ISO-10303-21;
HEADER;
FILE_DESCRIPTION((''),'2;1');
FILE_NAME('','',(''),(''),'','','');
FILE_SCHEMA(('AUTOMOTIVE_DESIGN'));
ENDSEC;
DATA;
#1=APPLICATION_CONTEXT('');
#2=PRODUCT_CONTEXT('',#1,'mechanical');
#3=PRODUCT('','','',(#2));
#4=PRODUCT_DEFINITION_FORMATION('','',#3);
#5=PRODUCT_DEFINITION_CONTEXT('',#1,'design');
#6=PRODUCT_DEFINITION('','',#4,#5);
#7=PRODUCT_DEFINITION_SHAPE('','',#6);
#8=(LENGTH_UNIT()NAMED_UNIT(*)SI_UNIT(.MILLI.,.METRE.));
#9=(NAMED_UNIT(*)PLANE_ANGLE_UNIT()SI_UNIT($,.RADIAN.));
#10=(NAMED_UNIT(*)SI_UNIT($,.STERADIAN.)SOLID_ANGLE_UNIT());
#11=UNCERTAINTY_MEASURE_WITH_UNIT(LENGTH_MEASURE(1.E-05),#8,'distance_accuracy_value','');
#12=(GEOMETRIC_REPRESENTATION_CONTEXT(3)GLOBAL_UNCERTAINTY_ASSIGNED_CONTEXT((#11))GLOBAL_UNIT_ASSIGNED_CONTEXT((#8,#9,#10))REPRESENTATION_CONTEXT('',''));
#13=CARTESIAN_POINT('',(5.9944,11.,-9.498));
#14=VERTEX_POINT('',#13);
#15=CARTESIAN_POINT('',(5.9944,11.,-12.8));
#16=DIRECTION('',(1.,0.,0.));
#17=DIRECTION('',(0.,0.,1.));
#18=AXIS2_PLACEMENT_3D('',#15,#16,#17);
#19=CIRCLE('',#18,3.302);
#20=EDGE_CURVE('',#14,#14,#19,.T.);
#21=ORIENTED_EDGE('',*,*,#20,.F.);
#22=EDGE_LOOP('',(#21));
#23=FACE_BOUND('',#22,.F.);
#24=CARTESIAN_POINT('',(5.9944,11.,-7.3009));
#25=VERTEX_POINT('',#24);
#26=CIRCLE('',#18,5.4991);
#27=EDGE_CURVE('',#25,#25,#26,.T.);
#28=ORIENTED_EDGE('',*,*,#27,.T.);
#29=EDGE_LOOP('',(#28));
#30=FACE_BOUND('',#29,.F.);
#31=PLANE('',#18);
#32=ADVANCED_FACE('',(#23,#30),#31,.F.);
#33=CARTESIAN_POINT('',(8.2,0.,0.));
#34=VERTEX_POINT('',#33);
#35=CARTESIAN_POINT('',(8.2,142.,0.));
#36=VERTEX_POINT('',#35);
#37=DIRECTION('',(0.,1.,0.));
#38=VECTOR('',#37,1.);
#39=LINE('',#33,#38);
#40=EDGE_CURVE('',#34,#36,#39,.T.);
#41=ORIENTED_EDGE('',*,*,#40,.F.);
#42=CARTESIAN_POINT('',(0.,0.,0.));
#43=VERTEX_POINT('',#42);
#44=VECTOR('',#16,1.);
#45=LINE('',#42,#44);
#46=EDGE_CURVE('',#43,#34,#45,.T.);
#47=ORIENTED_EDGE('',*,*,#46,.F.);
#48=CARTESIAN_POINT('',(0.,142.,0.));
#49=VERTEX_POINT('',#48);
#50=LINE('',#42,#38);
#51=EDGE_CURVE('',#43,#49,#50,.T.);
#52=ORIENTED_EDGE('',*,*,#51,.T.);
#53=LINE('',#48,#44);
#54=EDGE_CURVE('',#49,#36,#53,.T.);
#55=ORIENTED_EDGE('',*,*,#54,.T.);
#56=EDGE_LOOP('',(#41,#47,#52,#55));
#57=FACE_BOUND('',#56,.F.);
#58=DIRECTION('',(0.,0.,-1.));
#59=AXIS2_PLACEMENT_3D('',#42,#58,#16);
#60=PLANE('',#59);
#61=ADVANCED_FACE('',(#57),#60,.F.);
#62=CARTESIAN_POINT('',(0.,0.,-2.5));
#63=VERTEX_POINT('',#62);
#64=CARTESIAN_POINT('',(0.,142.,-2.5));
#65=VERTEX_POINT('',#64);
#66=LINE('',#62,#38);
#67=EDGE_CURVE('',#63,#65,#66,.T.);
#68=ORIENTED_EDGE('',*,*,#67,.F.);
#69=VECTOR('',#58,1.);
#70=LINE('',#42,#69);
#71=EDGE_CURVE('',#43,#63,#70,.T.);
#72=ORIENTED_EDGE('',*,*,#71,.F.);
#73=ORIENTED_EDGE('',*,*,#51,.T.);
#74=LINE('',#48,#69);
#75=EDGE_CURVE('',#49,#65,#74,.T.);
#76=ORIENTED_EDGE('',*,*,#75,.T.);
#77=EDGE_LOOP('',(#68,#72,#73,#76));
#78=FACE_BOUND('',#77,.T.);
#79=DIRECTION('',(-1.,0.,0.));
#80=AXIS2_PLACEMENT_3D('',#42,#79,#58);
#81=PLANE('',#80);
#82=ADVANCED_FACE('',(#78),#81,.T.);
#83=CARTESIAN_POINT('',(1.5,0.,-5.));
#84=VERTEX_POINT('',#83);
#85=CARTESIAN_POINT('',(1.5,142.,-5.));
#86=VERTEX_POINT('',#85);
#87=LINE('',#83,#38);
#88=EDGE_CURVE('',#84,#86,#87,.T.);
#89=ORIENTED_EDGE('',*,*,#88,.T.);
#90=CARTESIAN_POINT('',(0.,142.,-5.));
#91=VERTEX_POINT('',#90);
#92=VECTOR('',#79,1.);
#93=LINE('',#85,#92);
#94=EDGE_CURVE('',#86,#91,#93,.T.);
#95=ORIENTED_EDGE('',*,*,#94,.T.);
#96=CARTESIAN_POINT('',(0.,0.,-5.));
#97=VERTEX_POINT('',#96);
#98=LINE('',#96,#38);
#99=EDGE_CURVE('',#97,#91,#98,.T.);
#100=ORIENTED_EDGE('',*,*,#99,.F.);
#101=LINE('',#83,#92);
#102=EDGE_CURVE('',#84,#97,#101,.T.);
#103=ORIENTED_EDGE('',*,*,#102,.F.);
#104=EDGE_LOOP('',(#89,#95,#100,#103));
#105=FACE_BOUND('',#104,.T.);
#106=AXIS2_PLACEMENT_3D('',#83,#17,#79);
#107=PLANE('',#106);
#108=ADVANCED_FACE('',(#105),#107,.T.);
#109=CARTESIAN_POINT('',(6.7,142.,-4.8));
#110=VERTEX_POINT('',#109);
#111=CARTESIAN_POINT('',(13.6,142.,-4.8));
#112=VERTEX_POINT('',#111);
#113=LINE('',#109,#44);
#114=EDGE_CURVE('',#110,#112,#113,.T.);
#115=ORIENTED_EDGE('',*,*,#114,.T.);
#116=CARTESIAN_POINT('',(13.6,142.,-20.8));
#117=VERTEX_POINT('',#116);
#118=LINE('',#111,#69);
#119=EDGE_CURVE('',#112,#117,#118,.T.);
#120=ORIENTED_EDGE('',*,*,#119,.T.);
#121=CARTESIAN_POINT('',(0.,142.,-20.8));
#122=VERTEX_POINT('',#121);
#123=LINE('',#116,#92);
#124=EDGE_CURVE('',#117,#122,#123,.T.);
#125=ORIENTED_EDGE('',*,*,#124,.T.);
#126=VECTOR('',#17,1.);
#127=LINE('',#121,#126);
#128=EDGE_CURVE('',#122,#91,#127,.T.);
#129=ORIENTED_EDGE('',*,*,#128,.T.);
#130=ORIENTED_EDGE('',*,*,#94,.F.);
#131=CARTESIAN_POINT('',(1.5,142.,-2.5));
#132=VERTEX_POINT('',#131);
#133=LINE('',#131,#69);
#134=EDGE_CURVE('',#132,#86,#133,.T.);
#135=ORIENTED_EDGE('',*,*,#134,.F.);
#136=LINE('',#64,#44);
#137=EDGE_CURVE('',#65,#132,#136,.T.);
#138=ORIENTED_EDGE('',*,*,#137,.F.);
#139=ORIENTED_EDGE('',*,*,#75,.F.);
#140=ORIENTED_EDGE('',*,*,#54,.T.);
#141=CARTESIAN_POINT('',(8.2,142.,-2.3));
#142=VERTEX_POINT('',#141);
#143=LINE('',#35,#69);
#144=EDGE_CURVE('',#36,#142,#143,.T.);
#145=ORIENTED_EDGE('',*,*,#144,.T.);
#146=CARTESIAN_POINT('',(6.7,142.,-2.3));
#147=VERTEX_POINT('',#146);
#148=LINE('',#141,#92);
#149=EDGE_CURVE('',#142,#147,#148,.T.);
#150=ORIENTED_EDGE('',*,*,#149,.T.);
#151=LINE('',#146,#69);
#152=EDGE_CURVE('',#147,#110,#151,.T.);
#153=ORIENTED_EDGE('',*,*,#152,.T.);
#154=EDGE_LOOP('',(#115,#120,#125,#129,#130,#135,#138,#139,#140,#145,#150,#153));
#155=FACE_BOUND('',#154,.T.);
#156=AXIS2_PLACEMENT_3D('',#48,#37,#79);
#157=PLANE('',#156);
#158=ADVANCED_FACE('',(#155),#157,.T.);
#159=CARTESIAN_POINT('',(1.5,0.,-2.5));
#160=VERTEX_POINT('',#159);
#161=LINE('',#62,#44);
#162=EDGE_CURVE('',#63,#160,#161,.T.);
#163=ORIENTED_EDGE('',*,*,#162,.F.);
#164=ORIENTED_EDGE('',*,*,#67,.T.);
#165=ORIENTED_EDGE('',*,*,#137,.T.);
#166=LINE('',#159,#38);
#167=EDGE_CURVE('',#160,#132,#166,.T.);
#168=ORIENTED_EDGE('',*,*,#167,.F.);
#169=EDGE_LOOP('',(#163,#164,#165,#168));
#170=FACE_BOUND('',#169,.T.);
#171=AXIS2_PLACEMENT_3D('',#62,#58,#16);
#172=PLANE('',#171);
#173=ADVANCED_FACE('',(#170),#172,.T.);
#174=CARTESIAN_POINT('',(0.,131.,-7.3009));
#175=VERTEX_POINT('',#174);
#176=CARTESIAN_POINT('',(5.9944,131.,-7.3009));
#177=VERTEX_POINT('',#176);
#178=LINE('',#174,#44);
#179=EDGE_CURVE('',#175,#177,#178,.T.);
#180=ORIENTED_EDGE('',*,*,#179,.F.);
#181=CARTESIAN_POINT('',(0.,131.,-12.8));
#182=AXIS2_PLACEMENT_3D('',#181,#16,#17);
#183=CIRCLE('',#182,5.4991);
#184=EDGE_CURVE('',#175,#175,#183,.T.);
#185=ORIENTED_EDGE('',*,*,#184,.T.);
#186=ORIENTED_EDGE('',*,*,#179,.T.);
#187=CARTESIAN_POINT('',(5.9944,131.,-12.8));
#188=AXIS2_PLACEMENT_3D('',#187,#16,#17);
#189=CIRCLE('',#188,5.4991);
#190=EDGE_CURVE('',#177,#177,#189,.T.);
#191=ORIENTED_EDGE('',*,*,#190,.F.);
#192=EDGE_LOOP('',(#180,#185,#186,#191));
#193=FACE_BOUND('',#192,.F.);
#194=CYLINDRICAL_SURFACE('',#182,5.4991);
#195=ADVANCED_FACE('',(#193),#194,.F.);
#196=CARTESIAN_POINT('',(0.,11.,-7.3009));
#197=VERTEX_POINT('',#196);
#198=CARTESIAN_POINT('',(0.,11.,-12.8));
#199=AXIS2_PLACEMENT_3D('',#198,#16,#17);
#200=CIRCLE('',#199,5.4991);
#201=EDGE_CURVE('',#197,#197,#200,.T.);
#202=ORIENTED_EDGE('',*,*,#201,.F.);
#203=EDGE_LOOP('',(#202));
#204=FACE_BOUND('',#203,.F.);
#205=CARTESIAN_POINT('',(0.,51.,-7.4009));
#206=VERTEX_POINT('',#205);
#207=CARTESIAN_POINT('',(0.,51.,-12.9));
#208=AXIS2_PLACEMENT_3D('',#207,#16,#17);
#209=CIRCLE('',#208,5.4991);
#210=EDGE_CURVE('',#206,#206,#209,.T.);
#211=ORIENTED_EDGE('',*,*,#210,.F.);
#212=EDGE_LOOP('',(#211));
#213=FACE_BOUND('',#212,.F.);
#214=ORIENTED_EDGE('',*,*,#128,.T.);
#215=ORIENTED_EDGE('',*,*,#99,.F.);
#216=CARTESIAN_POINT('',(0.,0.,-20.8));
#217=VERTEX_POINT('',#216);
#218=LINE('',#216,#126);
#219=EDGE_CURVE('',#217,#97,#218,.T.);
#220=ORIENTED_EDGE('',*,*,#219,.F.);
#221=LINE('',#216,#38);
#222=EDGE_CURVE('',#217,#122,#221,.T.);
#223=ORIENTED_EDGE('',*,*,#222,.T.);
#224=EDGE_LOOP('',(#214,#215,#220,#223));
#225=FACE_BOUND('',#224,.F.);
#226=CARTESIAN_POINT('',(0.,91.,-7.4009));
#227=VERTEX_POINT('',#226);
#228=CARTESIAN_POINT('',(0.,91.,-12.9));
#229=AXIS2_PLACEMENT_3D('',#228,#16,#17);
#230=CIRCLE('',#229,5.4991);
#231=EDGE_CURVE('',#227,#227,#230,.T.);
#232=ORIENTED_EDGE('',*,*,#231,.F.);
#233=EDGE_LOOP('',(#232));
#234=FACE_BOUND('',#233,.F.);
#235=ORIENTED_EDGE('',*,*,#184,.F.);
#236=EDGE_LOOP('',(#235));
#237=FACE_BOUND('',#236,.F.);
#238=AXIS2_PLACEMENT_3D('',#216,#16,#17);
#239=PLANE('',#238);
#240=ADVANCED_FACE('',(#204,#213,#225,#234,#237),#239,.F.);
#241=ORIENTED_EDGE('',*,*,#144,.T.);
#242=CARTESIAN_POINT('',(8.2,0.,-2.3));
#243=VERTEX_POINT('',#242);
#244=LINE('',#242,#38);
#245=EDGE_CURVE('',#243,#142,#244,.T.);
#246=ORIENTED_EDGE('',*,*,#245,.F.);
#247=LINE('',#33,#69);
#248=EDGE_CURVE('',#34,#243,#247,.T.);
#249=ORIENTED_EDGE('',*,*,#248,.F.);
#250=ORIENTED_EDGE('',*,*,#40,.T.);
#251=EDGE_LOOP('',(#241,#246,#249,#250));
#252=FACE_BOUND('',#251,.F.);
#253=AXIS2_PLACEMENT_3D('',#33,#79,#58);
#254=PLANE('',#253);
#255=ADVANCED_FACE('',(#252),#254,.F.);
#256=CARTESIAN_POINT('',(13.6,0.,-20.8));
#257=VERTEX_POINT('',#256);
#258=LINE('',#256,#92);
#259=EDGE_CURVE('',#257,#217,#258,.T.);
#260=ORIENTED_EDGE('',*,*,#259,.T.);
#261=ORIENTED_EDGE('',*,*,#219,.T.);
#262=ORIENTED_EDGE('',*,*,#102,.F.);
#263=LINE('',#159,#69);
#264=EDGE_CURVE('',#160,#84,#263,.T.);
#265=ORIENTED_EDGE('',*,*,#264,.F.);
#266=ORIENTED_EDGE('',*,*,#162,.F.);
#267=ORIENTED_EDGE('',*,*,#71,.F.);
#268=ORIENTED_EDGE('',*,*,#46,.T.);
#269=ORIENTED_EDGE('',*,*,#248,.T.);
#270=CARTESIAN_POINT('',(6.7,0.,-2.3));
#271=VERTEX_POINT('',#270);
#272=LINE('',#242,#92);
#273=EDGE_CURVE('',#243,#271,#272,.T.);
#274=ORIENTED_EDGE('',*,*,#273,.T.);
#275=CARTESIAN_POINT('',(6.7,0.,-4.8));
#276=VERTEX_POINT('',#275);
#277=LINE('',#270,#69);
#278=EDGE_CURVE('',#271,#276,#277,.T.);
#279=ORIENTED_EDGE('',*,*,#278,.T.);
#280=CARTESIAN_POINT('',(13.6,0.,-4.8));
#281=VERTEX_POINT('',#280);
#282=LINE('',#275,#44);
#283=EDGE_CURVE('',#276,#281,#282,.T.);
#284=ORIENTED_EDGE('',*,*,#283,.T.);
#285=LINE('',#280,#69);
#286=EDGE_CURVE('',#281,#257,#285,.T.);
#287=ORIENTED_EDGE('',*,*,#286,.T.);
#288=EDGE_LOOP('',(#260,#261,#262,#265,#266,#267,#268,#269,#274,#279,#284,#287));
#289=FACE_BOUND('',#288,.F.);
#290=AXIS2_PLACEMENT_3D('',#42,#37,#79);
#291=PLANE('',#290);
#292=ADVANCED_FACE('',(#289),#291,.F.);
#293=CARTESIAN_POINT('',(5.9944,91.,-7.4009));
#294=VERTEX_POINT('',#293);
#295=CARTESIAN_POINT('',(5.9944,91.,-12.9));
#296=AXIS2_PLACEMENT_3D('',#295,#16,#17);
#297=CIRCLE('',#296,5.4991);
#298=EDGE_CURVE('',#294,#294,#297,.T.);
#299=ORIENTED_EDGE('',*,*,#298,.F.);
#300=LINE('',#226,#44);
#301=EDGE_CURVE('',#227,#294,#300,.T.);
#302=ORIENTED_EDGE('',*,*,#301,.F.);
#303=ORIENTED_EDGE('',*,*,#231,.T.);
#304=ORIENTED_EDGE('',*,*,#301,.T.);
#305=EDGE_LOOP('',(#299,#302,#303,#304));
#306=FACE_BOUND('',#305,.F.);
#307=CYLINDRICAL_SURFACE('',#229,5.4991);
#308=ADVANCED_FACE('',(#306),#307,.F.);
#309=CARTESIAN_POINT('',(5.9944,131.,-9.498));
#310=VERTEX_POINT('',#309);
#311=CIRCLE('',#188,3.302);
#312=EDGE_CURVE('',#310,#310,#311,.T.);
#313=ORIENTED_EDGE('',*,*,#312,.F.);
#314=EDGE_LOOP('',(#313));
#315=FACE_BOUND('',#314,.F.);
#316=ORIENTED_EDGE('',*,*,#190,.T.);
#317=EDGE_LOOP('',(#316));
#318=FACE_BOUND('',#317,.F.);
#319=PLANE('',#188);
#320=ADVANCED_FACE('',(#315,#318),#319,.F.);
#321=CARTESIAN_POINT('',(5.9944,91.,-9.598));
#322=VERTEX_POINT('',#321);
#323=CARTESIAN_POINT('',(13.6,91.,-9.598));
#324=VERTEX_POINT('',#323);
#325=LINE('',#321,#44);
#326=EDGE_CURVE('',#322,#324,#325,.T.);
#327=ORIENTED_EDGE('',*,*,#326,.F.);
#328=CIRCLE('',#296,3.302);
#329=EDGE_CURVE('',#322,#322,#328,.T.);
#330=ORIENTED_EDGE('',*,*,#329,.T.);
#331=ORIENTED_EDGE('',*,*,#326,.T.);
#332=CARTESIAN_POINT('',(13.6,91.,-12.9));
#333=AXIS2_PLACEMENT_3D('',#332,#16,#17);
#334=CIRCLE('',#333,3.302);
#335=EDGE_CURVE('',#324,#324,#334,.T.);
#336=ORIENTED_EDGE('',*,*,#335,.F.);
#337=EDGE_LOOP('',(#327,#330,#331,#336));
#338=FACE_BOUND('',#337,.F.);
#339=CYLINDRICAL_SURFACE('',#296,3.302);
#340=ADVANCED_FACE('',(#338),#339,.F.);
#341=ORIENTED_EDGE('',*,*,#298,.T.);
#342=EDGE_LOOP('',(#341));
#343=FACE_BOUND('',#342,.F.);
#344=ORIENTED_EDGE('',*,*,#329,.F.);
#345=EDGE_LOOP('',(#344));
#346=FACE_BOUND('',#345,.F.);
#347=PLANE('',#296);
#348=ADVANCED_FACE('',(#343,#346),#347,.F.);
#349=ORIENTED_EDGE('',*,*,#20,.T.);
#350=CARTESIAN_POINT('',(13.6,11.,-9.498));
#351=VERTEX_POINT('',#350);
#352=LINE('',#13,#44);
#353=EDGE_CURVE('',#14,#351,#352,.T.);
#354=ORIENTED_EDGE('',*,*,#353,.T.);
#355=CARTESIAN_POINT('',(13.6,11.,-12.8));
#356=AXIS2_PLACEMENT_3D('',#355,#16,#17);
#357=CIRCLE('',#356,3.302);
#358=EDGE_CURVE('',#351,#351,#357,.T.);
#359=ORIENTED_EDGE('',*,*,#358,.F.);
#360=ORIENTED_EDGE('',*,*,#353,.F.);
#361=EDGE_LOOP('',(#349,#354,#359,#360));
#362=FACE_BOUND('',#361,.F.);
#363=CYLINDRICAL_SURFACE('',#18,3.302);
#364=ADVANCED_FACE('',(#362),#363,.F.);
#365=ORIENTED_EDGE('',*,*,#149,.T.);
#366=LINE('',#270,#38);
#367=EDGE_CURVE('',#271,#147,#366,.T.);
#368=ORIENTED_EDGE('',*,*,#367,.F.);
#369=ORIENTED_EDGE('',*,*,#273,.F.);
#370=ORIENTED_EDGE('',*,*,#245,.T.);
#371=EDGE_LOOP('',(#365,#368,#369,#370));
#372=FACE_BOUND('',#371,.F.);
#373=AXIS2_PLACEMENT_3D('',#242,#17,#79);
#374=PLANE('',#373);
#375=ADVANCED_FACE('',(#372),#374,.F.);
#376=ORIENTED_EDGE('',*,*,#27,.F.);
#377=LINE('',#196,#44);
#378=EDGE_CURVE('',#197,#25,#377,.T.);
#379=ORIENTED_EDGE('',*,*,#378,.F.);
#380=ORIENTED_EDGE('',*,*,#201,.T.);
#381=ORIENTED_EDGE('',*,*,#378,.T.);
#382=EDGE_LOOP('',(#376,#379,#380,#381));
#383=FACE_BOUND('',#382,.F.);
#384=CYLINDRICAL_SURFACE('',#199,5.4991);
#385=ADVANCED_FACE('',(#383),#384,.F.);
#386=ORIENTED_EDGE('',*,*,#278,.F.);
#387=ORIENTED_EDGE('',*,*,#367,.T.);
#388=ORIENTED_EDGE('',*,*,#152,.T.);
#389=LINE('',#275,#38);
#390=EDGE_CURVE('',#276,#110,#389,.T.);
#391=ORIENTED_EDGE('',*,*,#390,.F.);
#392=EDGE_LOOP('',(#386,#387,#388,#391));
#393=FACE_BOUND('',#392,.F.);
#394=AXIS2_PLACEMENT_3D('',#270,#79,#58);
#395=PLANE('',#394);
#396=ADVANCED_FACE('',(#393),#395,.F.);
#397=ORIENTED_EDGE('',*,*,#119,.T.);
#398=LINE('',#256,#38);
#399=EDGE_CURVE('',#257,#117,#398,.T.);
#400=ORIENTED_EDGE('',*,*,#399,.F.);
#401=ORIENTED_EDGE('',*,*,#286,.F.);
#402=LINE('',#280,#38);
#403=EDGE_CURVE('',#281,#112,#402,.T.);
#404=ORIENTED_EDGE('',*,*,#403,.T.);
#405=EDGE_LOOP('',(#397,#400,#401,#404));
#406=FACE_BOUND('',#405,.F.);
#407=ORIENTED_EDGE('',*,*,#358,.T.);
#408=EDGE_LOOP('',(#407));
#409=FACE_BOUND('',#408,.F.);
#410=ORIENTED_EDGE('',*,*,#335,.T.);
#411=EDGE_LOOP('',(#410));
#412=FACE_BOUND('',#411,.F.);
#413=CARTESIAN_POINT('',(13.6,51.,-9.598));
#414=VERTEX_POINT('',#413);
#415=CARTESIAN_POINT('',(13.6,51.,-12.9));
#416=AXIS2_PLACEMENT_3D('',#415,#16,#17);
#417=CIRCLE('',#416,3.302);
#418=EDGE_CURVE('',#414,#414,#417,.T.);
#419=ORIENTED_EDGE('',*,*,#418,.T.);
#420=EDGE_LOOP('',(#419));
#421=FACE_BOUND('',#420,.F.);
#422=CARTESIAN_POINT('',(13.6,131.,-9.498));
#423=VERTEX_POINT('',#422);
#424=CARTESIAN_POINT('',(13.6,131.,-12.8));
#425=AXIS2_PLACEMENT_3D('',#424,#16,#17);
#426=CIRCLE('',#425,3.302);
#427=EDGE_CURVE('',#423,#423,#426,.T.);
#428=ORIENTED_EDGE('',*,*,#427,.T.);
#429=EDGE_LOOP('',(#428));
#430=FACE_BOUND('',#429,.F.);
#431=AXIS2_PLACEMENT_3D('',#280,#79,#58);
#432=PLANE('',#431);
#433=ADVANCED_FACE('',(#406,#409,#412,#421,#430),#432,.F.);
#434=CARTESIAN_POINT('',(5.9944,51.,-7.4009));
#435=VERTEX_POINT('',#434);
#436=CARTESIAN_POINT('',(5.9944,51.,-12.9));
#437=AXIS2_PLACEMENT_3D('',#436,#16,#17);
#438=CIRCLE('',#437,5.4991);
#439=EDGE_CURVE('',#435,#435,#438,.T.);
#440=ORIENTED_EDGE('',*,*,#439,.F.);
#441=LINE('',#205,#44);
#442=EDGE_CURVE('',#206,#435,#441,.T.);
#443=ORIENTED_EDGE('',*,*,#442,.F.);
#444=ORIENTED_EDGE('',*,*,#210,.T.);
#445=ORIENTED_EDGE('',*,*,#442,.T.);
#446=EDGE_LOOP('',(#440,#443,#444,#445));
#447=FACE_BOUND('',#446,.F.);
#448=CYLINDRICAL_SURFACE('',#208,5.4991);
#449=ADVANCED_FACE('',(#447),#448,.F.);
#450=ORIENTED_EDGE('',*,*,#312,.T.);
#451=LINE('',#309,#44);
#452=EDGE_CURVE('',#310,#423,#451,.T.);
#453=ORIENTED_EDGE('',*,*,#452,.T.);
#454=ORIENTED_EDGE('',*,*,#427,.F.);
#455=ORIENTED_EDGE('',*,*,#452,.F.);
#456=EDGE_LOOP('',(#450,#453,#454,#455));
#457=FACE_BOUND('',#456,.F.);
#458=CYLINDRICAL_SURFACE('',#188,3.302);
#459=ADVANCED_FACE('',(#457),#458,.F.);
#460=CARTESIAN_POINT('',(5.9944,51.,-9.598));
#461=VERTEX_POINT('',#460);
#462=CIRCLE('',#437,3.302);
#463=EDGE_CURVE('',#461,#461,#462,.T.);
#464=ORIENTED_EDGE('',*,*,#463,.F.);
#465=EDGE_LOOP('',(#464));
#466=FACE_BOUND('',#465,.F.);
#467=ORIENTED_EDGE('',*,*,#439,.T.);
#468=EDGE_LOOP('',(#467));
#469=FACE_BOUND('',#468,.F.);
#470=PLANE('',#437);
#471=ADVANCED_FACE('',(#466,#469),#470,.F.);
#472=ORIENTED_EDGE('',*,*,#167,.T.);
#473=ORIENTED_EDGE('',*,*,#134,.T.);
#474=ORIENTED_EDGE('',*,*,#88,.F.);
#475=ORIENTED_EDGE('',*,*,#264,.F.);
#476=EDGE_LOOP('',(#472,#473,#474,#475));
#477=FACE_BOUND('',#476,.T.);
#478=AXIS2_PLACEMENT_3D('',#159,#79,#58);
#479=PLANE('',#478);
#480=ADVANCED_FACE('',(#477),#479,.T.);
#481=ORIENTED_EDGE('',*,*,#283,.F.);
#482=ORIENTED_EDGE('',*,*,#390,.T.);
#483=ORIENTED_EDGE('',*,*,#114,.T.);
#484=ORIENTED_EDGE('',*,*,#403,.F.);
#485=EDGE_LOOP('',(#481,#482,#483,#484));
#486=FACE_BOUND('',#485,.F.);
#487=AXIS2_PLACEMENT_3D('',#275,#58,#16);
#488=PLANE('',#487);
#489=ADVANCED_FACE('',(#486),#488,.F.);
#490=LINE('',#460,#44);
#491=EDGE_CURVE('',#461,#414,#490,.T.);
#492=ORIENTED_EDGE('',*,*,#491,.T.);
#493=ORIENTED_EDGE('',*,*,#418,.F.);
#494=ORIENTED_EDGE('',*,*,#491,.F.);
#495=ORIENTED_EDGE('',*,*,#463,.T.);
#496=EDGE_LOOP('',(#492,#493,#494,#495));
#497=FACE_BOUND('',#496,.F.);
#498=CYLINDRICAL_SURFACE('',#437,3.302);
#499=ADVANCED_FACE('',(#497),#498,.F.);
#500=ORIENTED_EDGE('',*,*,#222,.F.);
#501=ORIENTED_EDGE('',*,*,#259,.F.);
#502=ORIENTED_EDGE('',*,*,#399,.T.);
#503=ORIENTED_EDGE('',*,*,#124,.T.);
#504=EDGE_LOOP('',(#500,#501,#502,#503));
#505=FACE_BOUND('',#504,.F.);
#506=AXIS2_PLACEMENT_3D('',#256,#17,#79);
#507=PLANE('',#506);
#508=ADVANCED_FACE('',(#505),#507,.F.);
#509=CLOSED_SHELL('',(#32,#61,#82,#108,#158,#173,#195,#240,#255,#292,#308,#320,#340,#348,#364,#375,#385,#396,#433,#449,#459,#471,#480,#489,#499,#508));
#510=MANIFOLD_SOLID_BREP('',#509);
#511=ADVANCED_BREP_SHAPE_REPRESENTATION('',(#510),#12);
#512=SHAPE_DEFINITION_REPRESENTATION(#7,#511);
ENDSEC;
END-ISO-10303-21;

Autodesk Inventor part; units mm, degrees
ref_plane "YZ Plane" through (0, 0, 0) normal (1, 0, 0) x (0, 1, 0)
ref_plane "XZ Plane" through (0, 0, 0) normal (0, 1, 0) x (-1, 0, 0)
ref_plane "XY Plane" through (0, 0, 0) normal (0, 0, 1) x (1, 0, 0)
sketch "Sketch1" plane through (0, 0, 0) normal (0, 1, 0) x (-1, 0, 0)
  line L0 (0, 0) -> (0, -2.5)
  line L1 (0, 0) -> (-8.2, 0)
  line L2 (-8.2, 0) -> (-8.2, -2.3)
  line L3 (-8.2, -2.3) -> (-6.7, -2.3)
  line L4 (0, -2.5) -> (-1.5, -2.5)
  line L5 (-1.5, -2.5) -> (-1.5, -5)
  line L6 (-6.7, -2.3) -> (-6.7, -4.8)
  line L7 (-6.7, -4.8) -> (-13.6, -4.8)
  line L8 (-13.6, -4.8) -> (-13.6, -20.8)
  line L9 (-1.5, -5) -> (0, -5)
  line L10 (-13.6, -20.8) -> (0, -20.8)
  line L11 (0, -20.8) -> (0, -5)
  dimension "d0" = 2.5
  dimension "d1" = 8.2
  dimension "d2" = 2.3
  dimension "d3" = 1.5
  dimension "d4" = 1.5
  dimension "d5" = 2.5
  dimension "d6" = 2.5
  dimension "d7" = 6.9
  dimension "d8" = 16
extrude "Extrusion1" add sketch "Sketch1" along normal blind 142
sketch "Sketch2" plane through (0, 0, -20.8) normal (-1, 0, 0) x (0, 0, 1)
  line L0 (0, 142) -> (15.8, 142) projected
  line L1 (0, 0) -> (15.8, 0) projected
  point P0 (20.8, 0)
  point P1 (8, 131)
  point P2 (8, 11)
  point P3 (7.9, 51)
  point P4 (7.9, 91)
  dimension "d11" = 11
  dimension "d12" = 11
  dimension "d13" = 40
  dimension "d14" = 40
hole "Hole1" at (0, 131, -12.8) at (0, 11, -12.8) at (0, 51, -12.9) at (0, 91, -12.9) direction (1, 0, 0) diameter 6.604 end through all counterbore diameter 10.9982 counterbore depth 5.9944 clearance for "Socket Head Cap Screw" size "M6" standard "Ansi Metric M Profile"
properties part number "aactuatorHolder" material "ABS Plastic"
